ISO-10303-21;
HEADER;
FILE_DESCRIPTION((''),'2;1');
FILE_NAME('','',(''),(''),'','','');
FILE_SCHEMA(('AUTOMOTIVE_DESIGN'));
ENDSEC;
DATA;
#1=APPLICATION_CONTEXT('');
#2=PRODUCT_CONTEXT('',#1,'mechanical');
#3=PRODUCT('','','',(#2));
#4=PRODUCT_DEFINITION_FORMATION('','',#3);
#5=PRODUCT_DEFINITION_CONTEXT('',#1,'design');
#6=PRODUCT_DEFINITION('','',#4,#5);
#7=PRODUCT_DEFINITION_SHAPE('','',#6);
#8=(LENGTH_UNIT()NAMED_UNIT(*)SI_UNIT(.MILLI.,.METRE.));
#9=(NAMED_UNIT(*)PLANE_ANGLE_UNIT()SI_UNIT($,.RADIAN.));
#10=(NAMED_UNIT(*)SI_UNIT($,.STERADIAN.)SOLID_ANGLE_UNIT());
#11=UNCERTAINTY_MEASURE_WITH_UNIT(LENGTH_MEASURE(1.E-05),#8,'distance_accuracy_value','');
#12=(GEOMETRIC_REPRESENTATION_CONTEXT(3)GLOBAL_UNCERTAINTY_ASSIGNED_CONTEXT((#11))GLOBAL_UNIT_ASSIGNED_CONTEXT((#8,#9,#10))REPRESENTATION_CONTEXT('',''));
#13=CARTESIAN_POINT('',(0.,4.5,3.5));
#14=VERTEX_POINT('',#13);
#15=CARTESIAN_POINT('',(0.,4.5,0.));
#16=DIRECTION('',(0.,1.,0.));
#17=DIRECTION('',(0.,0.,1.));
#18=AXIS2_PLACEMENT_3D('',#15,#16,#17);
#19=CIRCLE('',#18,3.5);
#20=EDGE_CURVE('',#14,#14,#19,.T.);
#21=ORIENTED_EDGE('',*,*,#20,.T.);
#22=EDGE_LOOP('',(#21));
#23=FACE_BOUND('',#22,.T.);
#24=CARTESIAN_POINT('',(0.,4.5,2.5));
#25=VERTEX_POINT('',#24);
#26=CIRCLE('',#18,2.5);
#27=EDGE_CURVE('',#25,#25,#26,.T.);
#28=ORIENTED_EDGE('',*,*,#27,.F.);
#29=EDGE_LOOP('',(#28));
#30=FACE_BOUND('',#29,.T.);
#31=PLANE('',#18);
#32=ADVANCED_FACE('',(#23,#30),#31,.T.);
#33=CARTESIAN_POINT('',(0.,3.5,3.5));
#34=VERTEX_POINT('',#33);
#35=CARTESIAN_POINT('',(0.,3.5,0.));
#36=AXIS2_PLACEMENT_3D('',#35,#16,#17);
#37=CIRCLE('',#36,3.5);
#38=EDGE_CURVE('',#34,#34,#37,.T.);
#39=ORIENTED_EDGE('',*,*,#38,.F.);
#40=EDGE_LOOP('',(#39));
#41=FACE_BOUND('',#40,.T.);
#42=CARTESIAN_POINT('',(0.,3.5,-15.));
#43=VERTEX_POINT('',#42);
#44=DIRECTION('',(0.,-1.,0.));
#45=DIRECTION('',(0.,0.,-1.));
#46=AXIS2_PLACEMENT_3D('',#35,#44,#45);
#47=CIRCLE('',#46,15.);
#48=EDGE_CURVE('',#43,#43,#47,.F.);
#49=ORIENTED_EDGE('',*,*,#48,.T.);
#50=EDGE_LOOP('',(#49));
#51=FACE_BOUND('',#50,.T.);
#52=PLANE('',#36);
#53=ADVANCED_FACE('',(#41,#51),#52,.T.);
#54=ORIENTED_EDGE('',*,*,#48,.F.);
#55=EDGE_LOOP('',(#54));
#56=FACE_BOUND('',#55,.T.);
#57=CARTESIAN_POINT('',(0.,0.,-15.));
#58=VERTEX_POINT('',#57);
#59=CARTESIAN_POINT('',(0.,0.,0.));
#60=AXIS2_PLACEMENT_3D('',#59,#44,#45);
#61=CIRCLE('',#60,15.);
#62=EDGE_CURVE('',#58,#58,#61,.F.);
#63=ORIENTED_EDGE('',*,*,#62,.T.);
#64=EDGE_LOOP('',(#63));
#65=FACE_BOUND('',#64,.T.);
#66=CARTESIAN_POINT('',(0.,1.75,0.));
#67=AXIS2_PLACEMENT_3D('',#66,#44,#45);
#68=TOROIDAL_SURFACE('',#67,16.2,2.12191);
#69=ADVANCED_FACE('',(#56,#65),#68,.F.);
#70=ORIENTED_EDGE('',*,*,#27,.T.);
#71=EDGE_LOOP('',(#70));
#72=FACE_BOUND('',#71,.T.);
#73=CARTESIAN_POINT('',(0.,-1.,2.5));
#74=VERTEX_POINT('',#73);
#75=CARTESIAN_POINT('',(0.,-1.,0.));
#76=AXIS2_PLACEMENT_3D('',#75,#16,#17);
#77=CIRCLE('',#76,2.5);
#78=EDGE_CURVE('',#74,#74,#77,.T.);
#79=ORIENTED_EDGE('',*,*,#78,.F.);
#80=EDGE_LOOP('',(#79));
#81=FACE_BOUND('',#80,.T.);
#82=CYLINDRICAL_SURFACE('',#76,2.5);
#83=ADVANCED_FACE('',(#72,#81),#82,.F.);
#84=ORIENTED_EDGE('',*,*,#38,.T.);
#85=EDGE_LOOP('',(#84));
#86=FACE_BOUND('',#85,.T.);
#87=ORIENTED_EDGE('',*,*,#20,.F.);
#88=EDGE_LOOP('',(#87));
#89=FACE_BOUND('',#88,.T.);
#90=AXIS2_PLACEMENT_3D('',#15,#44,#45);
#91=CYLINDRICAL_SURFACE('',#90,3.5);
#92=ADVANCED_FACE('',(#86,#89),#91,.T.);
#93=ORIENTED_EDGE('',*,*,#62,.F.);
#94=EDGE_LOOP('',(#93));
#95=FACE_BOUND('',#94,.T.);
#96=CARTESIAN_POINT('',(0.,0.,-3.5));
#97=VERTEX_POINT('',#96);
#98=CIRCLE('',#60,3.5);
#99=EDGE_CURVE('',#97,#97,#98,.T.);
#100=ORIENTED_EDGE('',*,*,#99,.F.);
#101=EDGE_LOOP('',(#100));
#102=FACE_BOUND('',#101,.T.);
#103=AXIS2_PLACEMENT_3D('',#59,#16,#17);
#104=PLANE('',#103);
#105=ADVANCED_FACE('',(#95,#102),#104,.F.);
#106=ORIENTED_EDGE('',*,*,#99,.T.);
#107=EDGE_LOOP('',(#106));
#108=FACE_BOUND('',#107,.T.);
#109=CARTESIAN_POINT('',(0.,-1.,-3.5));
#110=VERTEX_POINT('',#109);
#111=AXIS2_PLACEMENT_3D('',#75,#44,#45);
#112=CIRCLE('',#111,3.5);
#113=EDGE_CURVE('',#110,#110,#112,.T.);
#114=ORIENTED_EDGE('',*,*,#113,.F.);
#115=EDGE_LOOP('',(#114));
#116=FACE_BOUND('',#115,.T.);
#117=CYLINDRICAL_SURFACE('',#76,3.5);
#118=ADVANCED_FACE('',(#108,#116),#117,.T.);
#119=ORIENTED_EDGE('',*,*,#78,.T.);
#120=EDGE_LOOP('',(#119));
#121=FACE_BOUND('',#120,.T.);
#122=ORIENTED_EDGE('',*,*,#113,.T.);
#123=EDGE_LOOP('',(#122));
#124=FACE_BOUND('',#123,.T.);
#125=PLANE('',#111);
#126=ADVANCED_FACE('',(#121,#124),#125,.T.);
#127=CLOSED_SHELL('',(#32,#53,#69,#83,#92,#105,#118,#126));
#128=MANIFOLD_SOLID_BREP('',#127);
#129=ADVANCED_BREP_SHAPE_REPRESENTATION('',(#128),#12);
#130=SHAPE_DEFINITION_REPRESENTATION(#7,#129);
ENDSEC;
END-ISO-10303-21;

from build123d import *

# Parameters (mm, degrees)
SKETCH1_R               = 15
BOSS_EXTRUDE1_DEPTH     = 3.5
SKETCH2_R               = 2.121909517
SKETCH4_R               = 3.5
BOSS_EXTRUDE2_DEPTH     = 1
BOSS_EXTRUDE3_START     = 1
SKETCH5_R               = 3.5
BOSS_EXTRUDE3_DEPTH     = 1
CUT_EXTRUDE1_DEPTH      = 22.685248442
CUT_EXTRUDE1_DEPTH_BACK = 22.685248442
SKETCH3_R               = 2.5


with BuildPart() as part:
    # Sketch1 → Boss-Extrude1 (new body)
    with BuildSketch(Plane(origin=(0, 0, 0), x_dir=(1, 0, 0), z_dir=(0, 1, 0))):
        with Locations(Location((0, 0, 0), (0, 0, 270))):
            Circle(SKETCH1_R)
    extrude(amount=BOSS_EXTRUDE1_DEPTH)

    # Sketch2 → Cut-Revolve1 (revolve, cut)
    with BuildSketch(Plane(origin=(0, 0, 0), x_dir=(0, 0, -1), z_dir=(1, 0, 0)), mode=Mode.PRIVATE) as cut_revolve1_sk:
        with Locations((-16.2, 1.75)):
            Circle(SKETCH2_R)
    revolve(cut_revolve1_sk.sketch.rotate(Axis((0, 0, 0), (0, 1, 0)), 180), axis=Axis((0, 0, 0), (0, 1, 0)), mode=Mode.SUBTRACT)

    # Sketch4 → Boss-Extrude2 (add)
    with BuildSketch(Plane.XZ):
        with Locations(Location((0, 0, 0), (0, 0, 270))):
            Circle(SKETCH4_R)
    extrude(amount=BOSS_EXTRUDE2_DEPTH)

    # Sketch5 → Boss-Extrude3 (add)
    with BuildSketch(Plane(origin=(0, 3.5, 0), x_dir=(1, 0, 0), z_dir=(0, 1, 0)).offset(BOSS_EXTRUDE3_START)):
        with Locations(Location((0, 0, 0), (0, 0, 90))):
            Circle(SKETCH5_R)
    extrude(amount=-BOSS_EXTRUDE3_DEPTH)

    # Sketch3 → Cut-Extrude1 (cut, two sides: drawn at the far end of the back side and taken through both)
    with BuildSketch(Plane(origin=(0, 3.5, 0), x_dir=(1, 0, 0), z_dir=(0, 1, 0)).offset(-CUT_EXTRUDE1_DEPTH_BACK)):
        with Locations(Location((0, 0, 0), (0, 0, 270))):
            Circle(SKETCH3_R)
    extrude(amount=CUT_EXTRUDE1_DEPTH + CUT_EXTRUDE1_DEPTH_BACK, mode=Mode.SUBTRACT)


solid = part.part
